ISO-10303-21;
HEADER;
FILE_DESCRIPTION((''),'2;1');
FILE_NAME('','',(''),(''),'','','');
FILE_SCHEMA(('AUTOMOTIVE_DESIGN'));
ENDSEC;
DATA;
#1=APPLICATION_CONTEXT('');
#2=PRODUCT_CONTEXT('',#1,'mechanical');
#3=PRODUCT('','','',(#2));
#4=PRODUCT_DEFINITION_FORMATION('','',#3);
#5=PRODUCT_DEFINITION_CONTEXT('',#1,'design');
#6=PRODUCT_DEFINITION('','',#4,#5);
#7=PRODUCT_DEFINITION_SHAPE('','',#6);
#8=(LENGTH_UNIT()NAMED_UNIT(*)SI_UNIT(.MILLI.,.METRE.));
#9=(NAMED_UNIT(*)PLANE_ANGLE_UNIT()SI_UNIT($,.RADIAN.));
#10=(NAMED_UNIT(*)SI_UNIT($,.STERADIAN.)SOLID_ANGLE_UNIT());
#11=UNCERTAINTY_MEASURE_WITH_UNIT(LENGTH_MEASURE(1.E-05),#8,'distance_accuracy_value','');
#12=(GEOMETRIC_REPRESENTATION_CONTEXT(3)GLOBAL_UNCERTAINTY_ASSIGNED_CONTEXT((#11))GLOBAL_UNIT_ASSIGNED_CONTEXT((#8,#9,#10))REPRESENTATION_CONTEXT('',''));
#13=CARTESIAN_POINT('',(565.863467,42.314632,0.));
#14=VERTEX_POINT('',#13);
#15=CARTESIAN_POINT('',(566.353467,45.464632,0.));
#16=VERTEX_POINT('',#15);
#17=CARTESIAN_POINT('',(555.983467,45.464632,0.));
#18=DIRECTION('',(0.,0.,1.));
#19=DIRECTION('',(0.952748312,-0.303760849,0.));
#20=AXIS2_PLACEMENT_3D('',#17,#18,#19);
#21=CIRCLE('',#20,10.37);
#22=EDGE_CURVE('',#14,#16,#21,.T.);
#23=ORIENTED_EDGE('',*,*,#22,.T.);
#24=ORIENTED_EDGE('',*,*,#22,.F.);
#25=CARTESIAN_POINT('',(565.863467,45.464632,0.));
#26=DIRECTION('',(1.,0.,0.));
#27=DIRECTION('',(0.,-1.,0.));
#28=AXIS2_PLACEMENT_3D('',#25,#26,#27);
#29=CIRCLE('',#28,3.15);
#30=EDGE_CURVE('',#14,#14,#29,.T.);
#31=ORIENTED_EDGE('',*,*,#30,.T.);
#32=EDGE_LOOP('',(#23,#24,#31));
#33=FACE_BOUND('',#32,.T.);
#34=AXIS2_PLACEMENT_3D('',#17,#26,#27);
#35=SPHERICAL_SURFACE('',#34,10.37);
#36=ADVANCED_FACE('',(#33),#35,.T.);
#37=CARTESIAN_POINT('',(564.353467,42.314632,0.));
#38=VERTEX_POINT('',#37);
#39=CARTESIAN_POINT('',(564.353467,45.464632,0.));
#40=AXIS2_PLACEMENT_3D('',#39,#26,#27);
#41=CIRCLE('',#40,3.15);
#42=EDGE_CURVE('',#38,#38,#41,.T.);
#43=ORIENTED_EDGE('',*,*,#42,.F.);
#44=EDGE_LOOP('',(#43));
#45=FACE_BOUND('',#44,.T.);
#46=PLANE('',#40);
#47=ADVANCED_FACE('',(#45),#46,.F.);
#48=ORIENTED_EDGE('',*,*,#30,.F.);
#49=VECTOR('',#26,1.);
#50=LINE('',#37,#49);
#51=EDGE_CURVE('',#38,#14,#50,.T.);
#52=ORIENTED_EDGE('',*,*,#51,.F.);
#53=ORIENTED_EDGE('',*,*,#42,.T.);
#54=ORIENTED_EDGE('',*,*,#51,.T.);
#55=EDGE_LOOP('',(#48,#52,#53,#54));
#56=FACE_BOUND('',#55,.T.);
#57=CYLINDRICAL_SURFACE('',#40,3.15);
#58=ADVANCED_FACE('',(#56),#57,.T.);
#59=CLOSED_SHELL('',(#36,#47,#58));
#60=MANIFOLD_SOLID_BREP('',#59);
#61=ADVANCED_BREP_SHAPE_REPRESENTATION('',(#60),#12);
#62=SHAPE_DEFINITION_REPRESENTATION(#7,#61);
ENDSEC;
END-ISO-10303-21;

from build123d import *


with BuildPart() as part:
    # 草图1 → 旋转1 (revolve)
    with BuildSketch(Plane.XY, mode=Mode.PRIVATE) as revolve_1_sk:
        with BuildLine():
            Line((564.353466832, 45.464632005), (564.353466832, 48.614632005))
            Line((564.353466832, 48.614632005), (565.863466832, 48.614632005))
            ThreePointArc((565.863466832, 48.614632005), (566.230234615, 47.05857366), (566.353466832, 45.464632005))
            Line((566.353466832, 45.464632005), (564.353466832, 45.464632005))
        make_face()
    revolve(revolve_1_sk.sketch.rotate(Axis((563.491838662, 45.464632005, 0), (1, 0, 0)), 180), axis=Axis((563.491838662, 45.464632005, 0), (1, 0, 0)))  # turned: the seam where the file's is


solid = part.part
